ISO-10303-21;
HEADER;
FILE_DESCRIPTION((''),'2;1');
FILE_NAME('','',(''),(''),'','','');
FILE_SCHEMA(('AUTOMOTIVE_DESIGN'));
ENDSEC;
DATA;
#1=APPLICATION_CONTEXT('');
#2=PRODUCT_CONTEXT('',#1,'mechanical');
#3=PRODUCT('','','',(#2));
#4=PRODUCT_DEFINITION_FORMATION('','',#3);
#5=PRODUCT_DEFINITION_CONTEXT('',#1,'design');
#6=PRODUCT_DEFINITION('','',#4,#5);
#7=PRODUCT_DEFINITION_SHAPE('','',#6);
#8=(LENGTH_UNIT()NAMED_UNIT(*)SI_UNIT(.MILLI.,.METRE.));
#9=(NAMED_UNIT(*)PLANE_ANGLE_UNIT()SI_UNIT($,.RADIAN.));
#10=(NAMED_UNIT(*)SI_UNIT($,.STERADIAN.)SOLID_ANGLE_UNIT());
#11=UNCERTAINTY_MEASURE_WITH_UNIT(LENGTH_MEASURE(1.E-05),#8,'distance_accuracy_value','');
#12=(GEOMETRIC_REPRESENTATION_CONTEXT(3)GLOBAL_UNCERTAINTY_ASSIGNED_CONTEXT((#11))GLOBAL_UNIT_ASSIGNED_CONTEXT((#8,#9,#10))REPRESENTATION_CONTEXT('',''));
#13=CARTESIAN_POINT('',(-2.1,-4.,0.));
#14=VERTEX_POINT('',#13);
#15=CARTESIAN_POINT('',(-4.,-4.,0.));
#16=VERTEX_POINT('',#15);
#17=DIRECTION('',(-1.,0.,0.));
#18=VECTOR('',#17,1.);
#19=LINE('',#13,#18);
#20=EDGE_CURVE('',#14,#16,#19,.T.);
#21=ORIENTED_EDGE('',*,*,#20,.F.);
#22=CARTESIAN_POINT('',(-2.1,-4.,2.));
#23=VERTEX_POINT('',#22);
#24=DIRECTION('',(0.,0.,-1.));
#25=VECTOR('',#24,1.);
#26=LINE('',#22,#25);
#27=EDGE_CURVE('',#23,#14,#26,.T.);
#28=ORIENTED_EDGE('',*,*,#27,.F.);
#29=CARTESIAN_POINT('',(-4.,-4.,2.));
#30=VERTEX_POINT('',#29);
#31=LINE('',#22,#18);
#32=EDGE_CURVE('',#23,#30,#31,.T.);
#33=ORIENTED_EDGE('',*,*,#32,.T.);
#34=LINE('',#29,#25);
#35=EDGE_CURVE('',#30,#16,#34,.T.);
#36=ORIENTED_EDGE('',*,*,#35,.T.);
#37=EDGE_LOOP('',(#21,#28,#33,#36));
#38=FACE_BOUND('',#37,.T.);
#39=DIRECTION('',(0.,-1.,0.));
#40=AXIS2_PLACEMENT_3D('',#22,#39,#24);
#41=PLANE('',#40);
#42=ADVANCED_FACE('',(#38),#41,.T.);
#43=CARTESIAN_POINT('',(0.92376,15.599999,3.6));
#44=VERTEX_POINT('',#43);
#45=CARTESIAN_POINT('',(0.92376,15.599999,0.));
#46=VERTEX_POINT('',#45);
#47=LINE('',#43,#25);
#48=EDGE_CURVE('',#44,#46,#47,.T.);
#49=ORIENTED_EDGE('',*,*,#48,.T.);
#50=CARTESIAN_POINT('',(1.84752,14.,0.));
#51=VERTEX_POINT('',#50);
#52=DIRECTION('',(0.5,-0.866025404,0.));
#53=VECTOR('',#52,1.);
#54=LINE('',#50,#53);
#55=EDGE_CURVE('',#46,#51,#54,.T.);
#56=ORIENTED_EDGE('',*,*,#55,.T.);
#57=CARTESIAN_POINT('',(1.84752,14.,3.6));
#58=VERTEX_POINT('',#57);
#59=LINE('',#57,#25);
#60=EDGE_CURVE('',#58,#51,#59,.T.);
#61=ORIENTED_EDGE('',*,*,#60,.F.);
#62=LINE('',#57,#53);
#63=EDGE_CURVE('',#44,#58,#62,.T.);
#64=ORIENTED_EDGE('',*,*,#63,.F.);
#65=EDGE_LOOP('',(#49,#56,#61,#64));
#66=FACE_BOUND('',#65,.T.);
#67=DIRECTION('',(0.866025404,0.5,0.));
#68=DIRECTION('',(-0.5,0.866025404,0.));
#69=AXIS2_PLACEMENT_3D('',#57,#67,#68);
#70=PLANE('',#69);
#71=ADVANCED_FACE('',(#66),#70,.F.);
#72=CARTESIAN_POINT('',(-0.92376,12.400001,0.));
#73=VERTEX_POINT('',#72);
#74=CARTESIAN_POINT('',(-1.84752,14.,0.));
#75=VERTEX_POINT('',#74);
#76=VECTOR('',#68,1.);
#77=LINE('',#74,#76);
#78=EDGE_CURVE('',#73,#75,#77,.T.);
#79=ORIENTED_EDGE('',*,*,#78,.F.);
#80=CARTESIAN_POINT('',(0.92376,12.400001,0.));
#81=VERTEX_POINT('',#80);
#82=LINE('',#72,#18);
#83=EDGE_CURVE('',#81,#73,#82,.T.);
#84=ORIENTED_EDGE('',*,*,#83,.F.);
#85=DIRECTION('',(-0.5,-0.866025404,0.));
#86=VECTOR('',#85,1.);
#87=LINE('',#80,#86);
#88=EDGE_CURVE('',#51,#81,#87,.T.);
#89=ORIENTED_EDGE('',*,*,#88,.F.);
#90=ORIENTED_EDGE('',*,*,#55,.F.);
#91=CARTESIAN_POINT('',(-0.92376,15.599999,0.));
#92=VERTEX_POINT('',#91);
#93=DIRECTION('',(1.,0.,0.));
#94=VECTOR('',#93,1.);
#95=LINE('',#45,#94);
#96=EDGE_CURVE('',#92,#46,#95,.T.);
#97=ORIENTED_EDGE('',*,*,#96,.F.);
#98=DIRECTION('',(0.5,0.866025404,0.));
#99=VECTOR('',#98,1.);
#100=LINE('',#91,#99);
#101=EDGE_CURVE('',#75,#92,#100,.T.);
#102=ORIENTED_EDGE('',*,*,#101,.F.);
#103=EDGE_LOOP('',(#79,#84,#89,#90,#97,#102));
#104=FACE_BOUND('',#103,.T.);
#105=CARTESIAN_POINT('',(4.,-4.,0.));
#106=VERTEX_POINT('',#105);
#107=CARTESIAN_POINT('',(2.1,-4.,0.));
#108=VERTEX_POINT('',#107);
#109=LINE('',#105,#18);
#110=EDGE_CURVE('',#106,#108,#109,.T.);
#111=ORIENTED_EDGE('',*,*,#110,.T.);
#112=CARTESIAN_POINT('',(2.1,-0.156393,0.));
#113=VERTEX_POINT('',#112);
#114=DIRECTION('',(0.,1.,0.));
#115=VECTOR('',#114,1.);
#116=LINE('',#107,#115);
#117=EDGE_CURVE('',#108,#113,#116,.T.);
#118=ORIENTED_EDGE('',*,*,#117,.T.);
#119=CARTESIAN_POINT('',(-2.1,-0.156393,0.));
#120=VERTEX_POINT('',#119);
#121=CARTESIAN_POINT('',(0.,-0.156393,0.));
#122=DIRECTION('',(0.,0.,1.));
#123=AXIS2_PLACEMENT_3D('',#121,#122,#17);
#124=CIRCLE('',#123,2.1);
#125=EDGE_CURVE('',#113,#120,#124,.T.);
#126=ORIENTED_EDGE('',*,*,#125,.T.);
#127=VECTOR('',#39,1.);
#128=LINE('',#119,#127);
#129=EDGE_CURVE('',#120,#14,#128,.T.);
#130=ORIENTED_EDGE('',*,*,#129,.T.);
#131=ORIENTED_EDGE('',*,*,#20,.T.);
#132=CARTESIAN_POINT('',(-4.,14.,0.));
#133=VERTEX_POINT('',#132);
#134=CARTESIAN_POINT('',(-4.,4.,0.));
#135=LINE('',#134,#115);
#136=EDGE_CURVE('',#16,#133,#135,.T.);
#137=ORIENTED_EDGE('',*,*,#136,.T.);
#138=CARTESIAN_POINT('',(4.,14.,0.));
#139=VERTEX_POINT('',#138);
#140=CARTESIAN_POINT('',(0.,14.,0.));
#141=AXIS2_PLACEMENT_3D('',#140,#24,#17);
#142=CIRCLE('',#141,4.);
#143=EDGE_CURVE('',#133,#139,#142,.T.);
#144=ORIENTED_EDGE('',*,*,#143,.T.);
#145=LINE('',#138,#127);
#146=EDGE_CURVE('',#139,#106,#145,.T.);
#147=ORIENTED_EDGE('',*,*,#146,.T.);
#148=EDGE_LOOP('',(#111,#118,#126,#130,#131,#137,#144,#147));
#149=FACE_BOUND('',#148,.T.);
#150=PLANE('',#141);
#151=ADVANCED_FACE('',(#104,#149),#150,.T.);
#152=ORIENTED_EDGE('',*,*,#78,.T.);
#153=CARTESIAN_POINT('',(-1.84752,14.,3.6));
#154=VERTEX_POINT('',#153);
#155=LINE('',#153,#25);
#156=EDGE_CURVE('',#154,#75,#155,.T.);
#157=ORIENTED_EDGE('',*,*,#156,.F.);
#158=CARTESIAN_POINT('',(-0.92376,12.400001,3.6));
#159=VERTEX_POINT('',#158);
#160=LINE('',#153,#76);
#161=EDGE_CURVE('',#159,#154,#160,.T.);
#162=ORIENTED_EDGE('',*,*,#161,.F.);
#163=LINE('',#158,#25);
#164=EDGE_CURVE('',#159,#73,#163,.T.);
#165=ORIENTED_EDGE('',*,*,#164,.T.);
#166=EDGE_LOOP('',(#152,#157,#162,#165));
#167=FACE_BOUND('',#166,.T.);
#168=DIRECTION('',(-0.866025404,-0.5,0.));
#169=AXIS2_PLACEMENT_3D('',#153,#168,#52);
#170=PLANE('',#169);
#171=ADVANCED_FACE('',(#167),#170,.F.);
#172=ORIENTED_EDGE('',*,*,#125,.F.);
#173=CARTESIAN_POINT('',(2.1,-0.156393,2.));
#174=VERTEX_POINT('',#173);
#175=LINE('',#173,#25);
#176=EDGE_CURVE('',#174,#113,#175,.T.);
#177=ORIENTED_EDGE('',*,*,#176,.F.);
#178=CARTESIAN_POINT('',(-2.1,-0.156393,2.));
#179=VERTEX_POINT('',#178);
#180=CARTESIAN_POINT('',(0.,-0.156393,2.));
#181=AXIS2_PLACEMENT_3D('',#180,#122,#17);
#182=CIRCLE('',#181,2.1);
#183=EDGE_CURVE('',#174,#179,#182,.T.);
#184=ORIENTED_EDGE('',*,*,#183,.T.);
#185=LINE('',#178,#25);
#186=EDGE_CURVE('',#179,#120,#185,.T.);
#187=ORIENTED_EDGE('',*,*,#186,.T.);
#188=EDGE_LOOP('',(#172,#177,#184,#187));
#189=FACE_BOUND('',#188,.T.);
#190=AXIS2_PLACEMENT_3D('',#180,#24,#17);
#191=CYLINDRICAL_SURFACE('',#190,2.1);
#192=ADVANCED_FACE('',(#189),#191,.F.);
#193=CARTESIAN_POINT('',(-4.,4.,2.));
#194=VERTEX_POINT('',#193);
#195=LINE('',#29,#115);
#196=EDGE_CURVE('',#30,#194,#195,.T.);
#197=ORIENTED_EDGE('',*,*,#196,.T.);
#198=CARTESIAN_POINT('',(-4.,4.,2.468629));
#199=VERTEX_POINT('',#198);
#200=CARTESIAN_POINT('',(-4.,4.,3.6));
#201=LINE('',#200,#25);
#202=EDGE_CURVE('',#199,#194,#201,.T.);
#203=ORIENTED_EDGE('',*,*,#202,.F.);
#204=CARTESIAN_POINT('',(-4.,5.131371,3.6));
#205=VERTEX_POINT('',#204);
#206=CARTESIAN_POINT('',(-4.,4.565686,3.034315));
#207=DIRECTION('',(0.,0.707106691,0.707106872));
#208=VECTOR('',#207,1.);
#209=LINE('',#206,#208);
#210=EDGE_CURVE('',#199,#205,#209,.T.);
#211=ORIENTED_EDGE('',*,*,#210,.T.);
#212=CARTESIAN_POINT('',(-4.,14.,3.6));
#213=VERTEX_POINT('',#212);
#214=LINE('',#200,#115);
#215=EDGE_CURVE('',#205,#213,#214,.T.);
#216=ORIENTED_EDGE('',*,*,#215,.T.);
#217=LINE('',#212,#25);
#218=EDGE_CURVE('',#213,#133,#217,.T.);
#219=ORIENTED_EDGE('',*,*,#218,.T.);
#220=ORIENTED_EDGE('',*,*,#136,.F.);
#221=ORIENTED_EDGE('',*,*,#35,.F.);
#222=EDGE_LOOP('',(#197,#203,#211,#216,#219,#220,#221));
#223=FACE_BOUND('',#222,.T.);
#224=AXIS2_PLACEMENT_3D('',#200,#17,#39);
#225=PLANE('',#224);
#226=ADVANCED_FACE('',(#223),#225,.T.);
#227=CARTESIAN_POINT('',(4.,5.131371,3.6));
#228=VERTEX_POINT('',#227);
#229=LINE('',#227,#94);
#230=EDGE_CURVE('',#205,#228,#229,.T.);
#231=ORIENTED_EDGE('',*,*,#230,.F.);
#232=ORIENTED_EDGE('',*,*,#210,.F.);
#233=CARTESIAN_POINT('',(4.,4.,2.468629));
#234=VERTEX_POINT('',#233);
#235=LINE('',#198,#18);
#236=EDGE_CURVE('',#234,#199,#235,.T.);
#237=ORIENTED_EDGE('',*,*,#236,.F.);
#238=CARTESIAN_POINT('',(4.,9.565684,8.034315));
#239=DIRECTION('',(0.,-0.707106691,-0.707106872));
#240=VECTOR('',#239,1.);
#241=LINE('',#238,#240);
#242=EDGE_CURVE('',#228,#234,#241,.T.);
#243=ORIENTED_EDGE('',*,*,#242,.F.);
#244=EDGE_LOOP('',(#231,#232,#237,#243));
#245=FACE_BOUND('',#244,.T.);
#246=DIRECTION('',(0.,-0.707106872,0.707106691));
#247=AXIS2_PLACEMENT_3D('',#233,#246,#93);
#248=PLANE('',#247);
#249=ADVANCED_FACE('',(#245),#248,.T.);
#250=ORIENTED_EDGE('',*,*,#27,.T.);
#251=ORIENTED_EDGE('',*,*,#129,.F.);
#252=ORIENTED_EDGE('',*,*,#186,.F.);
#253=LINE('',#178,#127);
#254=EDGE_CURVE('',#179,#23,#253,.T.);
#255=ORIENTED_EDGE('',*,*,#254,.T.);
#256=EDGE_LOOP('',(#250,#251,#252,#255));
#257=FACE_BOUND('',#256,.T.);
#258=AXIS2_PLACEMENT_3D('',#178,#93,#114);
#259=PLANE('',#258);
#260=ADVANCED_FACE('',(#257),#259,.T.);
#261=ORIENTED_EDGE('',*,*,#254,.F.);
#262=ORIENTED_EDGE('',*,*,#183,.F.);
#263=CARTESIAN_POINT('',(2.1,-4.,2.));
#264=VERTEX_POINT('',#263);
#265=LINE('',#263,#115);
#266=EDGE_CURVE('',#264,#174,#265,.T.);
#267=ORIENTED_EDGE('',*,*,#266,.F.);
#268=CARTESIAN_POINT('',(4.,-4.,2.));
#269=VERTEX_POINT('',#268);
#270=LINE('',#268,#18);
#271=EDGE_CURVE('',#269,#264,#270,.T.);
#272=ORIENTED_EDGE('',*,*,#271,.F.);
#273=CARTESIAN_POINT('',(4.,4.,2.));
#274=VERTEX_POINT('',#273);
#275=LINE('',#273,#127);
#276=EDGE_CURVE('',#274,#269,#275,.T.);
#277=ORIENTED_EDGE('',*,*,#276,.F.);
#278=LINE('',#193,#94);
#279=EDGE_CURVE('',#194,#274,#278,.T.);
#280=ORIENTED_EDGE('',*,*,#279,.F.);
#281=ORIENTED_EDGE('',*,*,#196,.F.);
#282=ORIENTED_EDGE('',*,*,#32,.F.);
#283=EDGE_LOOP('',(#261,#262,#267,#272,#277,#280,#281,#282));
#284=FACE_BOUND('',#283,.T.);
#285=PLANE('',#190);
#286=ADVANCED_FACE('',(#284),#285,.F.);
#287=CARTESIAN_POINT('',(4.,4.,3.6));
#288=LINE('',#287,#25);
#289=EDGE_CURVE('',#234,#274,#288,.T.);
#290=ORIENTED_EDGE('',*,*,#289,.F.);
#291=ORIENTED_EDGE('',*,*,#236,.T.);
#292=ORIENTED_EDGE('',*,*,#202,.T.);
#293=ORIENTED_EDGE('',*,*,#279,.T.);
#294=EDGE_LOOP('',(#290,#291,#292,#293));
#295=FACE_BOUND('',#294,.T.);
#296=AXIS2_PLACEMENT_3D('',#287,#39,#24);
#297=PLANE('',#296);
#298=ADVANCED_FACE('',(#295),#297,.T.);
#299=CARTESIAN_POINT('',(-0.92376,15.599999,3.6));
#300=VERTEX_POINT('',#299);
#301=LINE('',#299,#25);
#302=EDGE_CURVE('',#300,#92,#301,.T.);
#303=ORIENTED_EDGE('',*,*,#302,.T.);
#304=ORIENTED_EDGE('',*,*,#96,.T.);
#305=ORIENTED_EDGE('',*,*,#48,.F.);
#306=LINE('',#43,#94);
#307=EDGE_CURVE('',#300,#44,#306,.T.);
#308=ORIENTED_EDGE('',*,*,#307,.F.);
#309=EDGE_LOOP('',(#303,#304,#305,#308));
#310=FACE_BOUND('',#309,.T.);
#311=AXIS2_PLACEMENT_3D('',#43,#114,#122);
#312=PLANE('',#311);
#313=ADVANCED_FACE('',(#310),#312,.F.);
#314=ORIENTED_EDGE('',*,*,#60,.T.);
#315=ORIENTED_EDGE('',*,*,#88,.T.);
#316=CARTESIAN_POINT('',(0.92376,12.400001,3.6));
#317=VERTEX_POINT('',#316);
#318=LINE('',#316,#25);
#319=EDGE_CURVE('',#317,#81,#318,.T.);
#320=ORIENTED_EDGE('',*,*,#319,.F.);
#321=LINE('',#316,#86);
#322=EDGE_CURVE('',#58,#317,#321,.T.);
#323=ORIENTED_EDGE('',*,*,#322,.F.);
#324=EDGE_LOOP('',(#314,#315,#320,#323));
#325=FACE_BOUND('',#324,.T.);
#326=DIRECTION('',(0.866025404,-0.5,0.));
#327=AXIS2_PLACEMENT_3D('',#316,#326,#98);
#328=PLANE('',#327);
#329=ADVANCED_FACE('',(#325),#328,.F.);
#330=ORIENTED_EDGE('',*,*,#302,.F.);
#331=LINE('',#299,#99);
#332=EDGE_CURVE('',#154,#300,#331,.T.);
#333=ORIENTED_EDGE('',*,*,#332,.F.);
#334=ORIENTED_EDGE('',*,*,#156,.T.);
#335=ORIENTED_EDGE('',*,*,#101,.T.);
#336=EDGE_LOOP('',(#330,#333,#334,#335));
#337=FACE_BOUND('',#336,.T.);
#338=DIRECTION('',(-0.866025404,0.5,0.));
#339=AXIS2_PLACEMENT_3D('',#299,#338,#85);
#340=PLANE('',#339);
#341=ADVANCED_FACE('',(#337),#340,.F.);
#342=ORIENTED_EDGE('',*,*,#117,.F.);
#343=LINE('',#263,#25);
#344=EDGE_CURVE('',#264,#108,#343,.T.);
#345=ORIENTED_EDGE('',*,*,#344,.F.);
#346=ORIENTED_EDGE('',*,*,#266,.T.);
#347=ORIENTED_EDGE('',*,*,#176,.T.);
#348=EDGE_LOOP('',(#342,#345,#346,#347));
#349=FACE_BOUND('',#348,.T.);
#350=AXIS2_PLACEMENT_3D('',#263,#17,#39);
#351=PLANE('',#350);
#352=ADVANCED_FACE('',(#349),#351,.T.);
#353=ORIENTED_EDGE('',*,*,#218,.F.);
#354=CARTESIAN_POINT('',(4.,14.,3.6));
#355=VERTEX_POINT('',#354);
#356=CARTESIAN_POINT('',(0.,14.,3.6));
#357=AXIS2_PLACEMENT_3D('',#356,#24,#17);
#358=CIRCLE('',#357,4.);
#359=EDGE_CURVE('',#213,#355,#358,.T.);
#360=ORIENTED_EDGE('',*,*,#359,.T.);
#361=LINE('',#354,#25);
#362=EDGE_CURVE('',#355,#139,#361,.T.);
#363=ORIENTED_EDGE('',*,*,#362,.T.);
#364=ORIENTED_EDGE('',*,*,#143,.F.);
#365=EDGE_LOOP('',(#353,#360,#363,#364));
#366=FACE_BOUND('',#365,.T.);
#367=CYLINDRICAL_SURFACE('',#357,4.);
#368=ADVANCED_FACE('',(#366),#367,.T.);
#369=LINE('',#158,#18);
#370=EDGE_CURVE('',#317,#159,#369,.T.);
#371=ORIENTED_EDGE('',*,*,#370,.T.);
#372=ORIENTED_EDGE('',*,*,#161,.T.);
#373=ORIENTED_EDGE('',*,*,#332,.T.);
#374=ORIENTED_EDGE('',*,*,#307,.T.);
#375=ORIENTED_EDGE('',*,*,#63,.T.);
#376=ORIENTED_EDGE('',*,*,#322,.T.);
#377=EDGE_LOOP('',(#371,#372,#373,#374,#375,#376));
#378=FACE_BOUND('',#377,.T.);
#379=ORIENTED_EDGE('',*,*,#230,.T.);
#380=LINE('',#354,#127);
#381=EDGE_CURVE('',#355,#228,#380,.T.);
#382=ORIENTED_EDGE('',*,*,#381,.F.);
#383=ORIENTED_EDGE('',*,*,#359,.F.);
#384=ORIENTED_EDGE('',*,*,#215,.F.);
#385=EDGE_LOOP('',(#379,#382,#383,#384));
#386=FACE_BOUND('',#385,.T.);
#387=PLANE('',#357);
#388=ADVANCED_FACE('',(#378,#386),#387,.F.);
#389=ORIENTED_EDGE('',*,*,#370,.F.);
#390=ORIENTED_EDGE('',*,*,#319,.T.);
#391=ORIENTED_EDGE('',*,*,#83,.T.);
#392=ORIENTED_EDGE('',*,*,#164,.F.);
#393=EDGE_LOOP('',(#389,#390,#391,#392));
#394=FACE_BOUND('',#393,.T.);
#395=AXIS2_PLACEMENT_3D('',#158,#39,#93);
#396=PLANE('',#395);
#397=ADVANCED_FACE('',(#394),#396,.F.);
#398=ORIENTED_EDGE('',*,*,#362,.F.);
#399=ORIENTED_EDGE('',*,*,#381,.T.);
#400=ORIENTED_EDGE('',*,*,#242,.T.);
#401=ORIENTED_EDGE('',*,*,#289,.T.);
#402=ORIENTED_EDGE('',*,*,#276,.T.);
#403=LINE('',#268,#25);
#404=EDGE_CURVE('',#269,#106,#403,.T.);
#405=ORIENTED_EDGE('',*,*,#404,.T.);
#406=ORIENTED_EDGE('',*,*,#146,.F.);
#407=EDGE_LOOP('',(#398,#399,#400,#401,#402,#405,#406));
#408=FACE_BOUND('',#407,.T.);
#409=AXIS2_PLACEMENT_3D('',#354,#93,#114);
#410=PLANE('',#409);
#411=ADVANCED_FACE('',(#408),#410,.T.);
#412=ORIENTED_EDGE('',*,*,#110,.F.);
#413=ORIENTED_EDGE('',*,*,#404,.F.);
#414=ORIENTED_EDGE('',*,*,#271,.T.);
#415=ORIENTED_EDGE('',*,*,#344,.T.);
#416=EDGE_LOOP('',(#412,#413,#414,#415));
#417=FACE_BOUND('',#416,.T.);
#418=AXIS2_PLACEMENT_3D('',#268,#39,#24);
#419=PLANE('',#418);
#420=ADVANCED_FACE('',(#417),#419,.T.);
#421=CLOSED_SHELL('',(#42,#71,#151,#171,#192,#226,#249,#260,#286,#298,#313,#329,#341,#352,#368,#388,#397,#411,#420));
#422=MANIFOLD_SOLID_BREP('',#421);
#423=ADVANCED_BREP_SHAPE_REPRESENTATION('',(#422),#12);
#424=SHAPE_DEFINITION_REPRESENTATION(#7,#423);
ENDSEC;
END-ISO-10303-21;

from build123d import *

# Parameters (mm, degrees)
BOSS_EXTRUDE1_DEPTH = 3.6
CHAMFER1_SIZE       = 1.131371061
CHAMFER1_SIZE2      = 1.131370771
BOSS_EXTRUDE2_DEPTH = 2


with BuildPart() as part:
    # Sketch1 → Boss-Extrude1 (new body)
    with BuildSketch(Plane(origin=(0, 0, 0), x_dir=(-1, 0, 0), z_dir=(0, 0, -1))):
        with BuildLine():
            Line((-4, 14), (-4, 4.000000018))
            Line((-4, 4.000000018), (4, 4.000000018))
            Line((4, 4.000000018), (4, 14))
            ThreePointArc((4, 14), (0, 18), (-4, 14))
        make_face()
        Polygon((-0.92376, 12.400000746), (-1.84752, 14), (-0.92376, 15.599999254), (0.92376, 15.599999254), (1.84752, 14), (0.92376, 12.400000746), align=None, mode=Mode.SUBTRACT)
    extrude(amount=-BOSS_EXTRUDE1_DEPTH)

    # Chamfer1
    chamfer1_edges = [part.edges().sort_by_distance(p)[0] for p in [
        (0, 4.000000018, 3.6),
    ]]
    chamfer1_side = [part.faces().sort_by_distance(p)[0] for p in [
        (0, 4.000000018, 1.8),
    ]]
    chamfer(chamfer1_edges, length=CHAMFER1_SIZE, length2=CHAMFER1_SIZE2, reference=chamfer1_side[0])

    # Sketch6 → Boss-Extrude2 (add)
    with BuildSketch(Plane(origin=(0, 0, 0), x_dir=(-1, 0, 0), z_dir=(0, 0, -1))):
        with BuildLine():
            Line((-4, -4), (-2.1, -4))
            Line((-2.1, -4), (-2.1, -0.156392755))
            ThreePointArc((-2.1, -0.156392755), (0, 1.943607245), (2.1, -0.156392755))
            Line((2.1, -0.156392755), (2.1, -4))
            Line((2.1, -4), (4, -4))
            Line((4, -4), (4, 4.000000018))
            Line((4, 4.000000018), (-4, 4.000000018))
            Line((-4, 4.000000018), (-4, -4))
        make_face()
    extrude(amount=-BOSS_EXTRUDE2_DEPTH)


solid = part.part
